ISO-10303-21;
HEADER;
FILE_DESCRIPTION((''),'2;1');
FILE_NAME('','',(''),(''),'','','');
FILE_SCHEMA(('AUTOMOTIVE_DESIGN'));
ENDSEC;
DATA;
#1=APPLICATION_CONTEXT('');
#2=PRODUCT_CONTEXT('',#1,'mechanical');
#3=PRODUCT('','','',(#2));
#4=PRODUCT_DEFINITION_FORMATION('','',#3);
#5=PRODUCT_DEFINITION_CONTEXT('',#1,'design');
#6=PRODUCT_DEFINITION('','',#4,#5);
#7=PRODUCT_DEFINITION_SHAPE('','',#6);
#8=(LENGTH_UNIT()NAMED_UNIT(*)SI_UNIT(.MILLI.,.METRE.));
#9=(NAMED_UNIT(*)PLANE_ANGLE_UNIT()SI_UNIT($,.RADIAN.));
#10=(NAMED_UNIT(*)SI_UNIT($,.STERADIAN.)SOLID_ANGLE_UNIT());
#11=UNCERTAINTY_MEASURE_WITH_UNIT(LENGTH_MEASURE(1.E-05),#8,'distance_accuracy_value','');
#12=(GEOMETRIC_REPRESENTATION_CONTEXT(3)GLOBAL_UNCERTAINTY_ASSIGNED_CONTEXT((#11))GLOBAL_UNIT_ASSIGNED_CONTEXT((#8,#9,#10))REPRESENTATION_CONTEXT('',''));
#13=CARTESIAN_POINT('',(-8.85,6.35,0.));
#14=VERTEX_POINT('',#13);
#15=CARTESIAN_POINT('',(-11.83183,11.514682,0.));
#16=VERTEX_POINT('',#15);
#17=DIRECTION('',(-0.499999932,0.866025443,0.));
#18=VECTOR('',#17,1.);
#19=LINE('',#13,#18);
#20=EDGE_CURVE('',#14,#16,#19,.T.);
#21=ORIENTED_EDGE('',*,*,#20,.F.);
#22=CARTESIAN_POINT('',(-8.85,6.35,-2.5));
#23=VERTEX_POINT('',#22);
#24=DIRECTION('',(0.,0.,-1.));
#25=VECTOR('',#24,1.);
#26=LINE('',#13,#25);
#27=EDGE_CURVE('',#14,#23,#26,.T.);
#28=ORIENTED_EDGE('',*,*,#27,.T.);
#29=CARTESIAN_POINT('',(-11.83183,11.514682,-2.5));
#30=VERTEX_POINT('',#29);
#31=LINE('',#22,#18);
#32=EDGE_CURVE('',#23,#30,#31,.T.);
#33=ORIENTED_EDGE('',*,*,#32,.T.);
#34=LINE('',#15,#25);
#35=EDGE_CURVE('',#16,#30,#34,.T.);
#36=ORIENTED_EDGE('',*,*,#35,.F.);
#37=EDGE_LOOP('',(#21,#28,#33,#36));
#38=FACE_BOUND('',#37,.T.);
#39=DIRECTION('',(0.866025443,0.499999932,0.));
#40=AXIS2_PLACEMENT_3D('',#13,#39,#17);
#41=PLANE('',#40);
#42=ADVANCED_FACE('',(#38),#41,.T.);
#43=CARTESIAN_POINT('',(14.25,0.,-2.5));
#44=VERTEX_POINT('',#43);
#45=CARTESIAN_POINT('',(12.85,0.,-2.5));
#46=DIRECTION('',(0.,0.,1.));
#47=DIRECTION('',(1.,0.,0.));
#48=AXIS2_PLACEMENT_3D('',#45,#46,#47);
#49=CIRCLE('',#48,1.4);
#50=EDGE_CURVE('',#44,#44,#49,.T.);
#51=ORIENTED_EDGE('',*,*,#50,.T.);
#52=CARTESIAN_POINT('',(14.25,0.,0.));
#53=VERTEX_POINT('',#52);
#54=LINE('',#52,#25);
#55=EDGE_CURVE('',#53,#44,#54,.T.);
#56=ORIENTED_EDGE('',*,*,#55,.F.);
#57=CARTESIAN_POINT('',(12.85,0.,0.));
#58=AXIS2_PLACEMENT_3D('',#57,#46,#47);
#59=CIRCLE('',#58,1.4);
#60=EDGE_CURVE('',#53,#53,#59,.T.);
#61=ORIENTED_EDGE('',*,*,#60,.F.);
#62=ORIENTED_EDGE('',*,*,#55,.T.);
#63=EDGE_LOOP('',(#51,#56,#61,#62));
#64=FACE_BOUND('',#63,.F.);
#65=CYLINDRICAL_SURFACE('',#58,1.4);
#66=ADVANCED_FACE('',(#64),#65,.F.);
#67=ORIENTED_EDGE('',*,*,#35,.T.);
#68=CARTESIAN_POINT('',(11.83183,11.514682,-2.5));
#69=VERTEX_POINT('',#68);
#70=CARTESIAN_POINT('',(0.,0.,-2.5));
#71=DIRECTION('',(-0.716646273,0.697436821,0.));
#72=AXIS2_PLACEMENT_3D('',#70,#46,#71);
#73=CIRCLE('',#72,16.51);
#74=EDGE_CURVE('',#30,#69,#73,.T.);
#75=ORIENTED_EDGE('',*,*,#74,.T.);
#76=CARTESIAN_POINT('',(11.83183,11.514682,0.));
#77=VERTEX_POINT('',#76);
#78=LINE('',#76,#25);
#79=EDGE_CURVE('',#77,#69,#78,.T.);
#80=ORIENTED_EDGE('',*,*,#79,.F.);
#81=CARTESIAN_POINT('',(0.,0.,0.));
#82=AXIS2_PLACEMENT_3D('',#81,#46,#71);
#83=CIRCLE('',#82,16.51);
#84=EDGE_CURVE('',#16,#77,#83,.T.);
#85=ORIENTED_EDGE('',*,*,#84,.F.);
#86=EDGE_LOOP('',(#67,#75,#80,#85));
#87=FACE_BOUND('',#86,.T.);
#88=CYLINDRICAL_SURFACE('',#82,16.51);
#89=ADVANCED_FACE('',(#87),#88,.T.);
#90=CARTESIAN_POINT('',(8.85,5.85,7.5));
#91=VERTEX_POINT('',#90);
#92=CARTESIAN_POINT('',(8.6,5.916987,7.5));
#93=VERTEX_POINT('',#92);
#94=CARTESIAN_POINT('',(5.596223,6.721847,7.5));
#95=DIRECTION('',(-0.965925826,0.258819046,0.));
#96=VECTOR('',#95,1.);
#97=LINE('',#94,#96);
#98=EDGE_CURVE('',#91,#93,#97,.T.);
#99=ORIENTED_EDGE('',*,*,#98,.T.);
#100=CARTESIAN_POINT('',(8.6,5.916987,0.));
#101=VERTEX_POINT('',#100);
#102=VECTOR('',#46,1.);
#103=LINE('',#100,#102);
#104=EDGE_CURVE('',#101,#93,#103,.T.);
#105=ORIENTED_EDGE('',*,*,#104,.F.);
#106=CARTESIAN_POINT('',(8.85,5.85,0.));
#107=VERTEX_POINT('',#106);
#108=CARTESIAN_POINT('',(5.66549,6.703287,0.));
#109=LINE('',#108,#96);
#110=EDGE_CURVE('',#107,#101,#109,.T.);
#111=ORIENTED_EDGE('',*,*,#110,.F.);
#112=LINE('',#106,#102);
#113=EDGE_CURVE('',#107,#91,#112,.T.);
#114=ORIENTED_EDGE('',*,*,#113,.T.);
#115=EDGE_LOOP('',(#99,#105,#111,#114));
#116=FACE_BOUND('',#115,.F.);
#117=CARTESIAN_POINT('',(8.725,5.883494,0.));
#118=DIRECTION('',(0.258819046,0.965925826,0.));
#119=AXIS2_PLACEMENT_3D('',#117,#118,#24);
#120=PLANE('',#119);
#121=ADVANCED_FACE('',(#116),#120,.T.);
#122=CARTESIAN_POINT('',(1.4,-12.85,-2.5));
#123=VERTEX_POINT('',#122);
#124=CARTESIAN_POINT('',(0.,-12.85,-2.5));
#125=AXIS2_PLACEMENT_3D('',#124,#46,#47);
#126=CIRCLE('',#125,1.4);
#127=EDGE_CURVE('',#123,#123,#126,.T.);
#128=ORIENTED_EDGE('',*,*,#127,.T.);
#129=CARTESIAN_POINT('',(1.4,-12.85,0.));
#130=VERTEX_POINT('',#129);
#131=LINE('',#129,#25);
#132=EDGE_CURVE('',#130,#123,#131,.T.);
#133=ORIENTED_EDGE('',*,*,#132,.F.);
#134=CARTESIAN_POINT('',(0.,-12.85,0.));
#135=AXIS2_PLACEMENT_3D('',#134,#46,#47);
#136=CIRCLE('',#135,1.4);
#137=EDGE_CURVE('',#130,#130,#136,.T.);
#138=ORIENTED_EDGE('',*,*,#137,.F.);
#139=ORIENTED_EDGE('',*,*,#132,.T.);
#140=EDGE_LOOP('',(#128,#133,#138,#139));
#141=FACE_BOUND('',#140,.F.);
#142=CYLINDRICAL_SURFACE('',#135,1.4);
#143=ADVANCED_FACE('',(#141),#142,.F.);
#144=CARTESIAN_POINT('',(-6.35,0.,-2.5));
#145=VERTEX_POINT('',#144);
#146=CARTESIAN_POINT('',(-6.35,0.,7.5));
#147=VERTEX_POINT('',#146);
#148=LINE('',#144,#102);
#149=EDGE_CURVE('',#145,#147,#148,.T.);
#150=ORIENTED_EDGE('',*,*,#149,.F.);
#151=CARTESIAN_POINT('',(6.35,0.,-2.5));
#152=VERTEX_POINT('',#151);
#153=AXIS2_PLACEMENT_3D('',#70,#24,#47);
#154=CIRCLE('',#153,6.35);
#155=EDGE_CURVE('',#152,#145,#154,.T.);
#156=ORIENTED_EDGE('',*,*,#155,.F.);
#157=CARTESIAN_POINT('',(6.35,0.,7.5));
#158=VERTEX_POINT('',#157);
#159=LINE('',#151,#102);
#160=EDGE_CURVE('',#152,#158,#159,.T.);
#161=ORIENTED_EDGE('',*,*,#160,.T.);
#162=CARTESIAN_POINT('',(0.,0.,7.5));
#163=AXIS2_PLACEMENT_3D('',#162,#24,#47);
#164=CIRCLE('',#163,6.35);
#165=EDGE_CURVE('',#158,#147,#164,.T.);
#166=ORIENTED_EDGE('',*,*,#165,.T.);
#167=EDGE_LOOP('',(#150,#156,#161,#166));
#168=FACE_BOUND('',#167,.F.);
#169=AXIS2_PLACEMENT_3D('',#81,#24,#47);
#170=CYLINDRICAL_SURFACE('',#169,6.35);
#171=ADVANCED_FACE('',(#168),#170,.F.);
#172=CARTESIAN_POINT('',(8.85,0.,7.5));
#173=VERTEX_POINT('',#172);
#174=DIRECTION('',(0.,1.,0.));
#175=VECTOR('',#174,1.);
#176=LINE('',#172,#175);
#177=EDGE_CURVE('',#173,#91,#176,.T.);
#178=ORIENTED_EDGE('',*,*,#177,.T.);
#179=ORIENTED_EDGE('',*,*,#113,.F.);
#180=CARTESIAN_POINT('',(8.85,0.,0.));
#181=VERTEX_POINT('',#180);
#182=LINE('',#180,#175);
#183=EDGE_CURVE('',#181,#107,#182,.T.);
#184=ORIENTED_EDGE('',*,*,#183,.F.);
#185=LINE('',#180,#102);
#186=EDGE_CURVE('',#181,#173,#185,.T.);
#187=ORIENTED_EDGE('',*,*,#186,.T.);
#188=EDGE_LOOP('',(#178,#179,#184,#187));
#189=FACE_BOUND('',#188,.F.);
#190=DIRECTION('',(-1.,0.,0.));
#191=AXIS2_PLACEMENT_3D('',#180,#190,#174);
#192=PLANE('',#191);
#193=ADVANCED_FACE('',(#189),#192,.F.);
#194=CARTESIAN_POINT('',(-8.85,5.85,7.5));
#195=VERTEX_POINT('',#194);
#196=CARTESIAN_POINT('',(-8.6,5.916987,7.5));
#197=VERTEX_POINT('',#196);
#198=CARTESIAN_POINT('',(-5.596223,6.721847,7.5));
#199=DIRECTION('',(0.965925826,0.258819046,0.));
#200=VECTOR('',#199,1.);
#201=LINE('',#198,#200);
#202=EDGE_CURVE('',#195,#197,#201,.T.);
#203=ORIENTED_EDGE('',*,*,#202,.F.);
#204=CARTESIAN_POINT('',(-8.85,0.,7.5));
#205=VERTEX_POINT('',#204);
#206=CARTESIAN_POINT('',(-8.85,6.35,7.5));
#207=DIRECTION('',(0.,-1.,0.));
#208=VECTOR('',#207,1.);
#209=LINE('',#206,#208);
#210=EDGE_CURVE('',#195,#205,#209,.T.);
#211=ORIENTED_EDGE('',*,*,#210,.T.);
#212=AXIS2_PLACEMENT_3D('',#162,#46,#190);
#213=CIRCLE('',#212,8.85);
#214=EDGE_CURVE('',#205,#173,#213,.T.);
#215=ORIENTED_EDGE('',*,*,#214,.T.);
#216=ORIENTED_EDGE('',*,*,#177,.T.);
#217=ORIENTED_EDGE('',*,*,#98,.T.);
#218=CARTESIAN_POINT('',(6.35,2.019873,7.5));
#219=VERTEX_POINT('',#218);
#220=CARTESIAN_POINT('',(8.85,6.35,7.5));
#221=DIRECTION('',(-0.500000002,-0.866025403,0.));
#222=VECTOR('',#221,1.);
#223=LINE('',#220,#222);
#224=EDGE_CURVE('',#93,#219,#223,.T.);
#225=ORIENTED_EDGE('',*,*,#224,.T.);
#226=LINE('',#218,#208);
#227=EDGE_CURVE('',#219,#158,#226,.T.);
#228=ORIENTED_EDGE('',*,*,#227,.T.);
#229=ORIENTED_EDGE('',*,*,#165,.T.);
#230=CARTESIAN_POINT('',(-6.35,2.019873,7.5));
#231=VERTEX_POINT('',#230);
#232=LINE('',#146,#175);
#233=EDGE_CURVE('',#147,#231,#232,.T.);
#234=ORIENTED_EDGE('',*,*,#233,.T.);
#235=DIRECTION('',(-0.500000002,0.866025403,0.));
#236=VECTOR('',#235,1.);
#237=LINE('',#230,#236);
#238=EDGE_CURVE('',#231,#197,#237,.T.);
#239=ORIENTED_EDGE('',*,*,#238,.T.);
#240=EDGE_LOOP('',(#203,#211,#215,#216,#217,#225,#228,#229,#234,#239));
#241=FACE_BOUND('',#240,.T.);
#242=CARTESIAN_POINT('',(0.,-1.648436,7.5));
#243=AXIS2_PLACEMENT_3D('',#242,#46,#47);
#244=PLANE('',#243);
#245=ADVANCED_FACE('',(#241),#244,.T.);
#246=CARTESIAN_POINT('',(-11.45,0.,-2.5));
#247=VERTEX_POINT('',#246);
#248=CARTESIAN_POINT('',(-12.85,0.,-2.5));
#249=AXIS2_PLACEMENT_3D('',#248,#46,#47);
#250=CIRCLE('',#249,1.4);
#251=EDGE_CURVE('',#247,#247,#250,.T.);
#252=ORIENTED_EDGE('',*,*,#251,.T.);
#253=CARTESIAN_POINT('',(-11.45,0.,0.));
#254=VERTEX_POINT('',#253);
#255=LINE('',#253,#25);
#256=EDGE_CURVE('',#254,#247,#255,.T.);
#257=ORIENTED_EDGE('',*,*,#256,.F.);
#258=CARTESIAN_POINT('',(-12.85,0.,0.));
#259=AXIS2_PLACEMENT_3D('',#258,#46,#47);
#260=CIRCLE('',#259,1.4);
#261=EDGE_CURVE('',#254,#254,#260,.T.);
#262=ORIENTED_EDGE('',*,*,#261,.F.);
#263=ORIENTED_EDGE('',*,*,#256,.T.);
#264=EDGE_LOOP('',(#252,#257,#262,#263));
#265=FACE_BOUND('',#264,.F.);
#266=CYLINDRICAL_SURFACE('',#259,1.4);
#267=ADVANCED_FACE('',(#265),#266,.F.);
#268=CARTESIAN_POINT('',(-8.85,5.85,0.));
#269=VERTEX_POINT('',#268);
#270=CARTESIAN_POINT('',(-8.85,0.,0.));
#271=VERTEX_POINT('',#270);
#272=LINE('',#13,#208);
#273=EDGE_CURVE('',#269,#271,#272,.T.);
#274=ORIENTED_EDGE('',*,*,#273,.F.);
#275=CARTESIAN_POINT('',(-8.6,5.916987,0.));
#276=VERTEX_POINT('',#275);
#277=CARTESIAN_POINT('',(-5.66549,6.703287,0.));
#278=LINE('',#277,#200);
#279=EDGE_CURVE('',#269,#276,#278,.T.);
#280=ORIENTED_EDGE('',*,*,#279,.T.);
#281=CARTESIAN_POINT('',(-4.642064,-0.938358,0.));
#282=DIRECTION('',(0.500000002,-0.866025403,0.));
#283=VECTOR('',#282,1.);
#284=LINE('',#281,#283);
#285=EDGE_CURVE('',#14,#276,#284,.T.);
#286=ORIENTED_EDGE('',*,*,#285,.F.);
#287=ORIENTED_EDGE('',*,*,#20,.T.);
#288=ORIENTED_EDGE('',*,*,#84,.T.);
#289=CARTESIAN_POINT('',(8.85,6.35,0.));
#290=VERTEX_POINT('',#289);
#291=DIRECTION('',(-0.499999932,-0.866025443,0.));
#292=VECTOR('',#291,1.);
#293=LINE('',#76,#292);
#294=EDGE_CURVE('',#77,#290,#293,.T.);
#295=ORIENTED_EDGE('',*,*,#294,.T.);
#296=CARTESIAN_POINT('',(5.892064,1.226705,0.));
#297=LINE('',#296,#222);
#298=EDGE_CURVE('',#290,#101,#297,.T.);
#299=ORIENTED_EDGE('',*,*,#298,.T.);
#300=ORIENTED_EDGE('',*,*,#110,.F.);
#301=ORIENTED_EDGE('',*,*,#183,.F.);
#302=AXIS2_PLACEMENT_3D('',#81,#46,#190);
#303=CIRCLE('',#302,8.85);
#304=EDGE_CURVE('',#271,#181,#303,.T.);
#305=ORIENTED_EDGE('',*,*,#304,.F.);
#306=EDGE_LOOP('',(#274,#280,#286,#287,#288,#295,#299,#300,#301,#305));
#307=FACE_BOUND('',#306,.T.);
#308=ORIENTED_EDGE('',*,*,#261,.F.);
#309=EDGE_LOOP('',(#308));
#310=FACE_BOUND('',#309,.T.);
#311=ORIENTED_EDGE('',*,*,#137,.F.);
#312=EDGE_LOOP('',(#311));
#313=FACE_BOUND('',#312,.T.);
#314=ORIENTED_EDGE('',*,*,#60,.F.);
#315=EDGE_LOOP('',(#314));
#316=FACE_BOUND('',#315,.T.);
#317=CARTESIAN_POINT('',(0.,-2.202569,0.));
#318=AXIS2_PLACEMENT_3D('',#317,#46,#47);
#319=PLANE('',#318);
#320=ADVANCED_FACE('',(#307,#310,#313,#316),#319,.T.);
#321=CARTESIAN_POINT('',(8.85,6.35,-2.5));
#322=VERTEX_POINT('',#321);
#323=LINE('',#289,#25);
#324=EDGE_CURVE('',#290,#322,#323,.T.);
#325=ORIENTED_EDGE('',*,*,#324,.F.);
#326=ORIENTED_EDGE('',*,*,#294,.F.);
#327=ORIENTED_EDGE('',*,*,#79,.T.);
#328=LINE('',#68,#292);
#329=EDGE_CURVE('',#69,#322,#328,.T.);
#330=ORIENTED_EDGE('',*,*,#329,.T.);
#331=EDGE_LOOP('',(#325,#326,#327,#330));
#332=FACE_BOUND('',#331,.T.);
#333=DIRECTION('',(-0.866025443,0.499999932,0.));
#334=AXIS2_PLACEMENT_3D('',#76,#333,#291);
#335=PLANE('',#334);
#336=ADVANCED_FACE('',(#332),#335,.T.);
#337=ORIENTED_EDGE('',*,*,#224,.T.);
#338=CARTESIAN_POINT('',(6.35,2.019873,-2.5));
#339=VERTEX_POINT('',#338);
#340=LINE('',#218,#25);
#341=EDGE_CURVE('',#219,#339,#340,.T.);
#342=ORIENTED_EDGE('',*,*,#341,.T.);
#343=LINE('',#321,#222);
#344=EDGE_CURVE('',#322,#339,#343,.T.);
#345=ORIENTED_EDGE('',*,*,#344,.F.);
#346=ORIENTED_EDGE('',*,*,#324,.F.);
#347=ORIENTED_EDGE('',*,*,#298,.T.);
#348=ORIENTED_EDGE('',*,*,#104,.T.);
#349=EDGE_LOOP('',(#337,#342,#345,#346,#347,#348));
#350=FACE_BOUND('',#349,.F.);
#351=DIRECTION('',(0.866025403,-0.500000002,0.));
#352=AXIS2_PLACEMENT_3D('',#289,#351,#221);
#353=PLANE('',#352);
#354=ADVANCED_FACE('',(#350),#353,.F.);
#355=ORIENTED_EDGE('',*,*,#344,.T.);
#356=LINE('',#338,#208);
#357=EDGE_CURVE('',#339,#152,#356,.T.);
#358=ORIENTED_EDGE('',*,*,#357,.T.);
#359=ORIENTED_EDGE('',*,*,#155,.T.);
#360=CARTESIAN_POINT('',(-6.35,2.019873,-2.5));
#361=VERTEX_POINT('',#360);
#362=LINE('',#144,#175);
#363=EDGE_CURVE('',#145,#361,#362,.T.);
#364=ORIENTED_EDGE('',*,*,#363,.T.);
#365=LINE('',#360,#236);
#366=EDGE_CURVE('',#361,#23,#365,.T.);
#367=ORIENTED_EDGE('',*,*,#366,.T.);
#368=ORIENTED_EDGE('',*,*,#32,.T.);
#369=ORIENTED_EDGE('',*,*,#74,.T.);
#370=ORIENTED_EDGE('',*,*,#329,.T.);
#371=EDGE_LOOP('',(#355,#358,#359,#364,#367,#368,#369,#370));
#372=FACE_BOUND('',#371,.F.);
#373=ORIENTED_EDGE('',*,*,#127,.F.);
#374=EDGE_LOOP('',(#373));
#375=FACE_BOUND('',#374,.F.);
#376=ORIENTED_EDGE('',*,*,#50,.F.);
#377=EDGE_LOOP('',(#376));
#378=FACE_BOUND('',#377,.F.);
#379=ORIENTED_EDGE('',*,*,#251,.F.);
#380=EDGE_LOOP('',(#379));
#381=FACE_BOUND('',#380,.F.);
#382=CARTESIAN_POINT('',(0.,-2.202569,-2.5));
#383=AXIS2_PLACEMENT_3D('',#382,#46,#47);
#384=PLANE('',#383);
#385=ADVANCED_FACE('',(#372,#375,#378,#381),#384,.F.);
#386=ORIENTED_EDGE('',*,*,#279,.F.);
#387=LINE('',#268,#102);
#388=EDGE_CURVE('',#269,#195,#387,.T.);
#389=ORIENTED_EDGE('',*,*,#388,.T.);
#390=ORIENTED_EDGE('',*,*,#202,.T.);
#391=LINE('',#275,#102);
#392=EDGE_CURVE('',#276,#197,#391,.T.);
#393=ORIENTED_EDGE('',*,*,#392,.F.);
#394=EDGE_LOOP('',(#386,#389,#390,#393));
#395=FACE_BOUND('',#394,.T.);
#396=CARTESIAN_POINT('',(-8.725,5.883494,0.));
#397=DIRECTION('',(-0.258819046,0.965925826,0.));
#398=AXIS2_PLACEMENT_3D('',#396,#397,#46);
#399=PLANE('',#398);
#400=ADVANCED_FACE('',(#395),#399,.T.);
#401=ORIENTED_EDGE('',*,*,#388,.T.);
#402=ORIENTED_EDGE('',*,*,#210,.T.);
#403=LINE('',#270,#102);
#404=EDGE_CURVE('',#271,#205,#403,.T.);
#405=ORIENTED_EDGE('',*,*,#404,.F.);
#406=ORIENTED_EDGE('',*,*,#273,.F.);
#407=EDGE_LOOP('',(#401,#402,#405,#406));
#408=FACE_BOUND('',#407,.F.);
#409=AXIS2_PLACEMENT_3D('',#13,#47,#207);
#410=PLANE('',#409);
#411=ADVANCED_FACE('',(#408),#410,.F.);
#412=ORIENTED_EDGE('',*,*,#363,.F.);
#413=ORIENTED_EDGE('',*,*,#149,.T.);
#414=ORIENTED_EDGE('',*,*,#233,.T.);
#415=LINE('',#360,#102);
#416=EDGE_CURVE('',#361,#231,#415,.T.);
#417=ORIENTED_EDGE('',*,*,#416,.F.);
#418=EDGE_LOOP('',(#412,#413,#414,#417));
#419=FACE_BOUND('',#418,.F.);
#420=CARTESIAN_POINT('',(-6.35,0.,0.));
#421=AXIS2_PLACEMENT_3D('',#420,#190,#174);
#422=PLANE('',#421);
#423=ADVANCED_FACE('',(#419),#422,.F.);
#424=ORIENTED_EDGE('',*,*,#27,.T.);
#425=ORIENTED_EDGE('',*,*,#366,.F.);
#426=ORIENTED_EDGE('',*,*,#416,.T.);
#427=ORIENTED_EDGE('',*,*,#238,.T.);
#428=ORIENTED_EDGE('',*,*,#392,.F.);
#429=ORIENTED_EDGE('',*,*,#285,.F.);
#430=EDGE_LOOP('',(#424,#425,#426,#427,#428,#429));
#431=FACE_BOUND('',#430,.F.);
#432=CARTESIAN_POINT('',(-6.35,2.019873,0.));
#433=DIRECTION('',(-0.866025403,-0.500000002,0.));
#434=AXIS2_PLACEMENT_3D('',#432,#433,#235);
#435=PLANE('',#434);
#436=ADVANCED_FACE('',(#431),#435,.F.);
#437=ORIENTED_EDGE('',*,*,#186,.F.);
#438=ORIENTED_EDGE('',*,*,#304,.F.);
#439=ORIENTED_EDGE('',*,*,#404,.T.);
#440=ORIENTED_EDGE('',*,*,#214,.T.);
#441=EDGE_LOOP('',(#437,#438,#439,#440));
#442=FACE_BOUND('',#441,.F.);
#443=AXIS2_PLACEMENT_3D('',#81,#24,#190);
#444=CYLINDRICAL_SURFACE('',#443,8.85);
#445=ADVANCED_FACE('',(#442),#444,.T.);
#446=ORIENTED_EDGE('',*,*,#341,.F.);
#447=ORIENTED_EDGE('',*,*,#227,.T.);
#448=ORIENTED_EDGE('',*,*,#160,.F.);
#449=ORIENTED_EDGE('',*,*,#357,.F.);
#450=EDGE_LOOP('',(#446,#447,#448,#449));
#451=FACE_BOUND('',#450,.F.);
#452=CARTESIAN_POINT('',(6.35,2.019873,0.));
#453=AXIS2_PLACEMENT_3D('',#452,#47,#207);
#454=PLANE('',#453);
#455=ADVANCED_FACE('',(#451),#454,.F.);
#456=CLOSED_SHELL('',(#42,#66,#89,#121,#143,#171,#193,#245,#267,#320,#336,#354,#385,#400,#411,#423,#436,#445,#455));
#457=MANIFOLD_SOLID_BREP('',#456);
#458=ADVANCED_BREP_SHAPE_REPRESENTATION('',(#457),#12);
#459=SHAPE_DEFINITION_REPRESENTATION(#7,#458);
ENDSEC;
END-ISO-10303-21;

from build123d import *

# Parameters (mm, degrees)
F1_DEPTH = 2.5
F2_DEPTH = 7.5
F3_SIZE  = 0.5
F4_R     = 1.4
F5_DEPTH = 25


with BuildPart() as f1:
    # F0 (on Top) → F1 (new body)
    with BuildSketch(Plane.XY):
        with BuildLine():
            Line((11.83183, 11.514682), (8.85, 6.35))
            Line((8.85, 6.35), (8.85, 0))
            ThreePointArc((8.85, 0), (0, -8.85), (-8.85, 0))
            Line((-8.85, 0), (-8.85, 6.35))
            Line((-8.85, 6.35), (-11.83183, 11.514682))
            ThreePointArc((-11.83183, 11.514682), (0, -16.51), (11.83183, 11.514682))
        make_face()
        with BuildLine():
            Line((6.35, 2.019873), (6.35, 0))
            ThreePointArc((6.35, 0), (0, -6.35), (-6.35, 0))
            Line((-6.35, 0), (-6.35, 2.019873))
            Line((-6.35, 2.019873), (-8.85, 6.35))
            Line((-8.85, 6.35), (-8.85, 0))
            ThreePointArc((-8.85, 0), (0, -8.85), (8.85, 0))
            Line((8.85, 0), (8.85, 6.35))
            Line((8.85, 6.35), (6.35, 2.019873))
        make_face()
    extrude(amount=-F1_DEPTH)

    # F0 (on Top) → F2 (join)
    with BuildSketch(Plane.XY):
        with BuildLine():
            Line((6.35, 2.019873), (6.35, 0))
            ThreePointArc((6.35, 0), (0, -6.35), (-6.35, 0))
            Line((-6.35, 0), (-6.35, 2.019873))
            Line((-6.35, 2.019873), (-8.85, 6.35))
            Line((-8.85, 6.35), (-8.85, 0))
            ThreePointArc((-8.85, 0), (0, -8.85), (8.85, 0))
            Line((8.85, 0), (8.85, 6.35))
            Line((8.85, 6.35), (6.35, 2.019873))
        make_face()
    extrude(amount=F2_DEPTH)

    # F3
    f3_edges = [f1.edges().sort_by_distance(p)[0] for p in [
        (-8.85, 6.35, 3.75),
        (8.85, 6.35, 3.75),
    ]]
    chamfer(f3_edges, length=F3_SIZE)

    # F4 (on face) → F5 (cut)
    with BuildSketch(Plane.XY):
        with Locations((-12.85, 0)):
            Circle(F4_R)
        with Locations((12.85, 0)):
            Circle(F4_R)
        with Locations((0, -12.85)):
            Circle(F4_R)
    extrude(amount=-F5_DEPTH, mode=Mode.SUBTRACT)


solid = f1.part
